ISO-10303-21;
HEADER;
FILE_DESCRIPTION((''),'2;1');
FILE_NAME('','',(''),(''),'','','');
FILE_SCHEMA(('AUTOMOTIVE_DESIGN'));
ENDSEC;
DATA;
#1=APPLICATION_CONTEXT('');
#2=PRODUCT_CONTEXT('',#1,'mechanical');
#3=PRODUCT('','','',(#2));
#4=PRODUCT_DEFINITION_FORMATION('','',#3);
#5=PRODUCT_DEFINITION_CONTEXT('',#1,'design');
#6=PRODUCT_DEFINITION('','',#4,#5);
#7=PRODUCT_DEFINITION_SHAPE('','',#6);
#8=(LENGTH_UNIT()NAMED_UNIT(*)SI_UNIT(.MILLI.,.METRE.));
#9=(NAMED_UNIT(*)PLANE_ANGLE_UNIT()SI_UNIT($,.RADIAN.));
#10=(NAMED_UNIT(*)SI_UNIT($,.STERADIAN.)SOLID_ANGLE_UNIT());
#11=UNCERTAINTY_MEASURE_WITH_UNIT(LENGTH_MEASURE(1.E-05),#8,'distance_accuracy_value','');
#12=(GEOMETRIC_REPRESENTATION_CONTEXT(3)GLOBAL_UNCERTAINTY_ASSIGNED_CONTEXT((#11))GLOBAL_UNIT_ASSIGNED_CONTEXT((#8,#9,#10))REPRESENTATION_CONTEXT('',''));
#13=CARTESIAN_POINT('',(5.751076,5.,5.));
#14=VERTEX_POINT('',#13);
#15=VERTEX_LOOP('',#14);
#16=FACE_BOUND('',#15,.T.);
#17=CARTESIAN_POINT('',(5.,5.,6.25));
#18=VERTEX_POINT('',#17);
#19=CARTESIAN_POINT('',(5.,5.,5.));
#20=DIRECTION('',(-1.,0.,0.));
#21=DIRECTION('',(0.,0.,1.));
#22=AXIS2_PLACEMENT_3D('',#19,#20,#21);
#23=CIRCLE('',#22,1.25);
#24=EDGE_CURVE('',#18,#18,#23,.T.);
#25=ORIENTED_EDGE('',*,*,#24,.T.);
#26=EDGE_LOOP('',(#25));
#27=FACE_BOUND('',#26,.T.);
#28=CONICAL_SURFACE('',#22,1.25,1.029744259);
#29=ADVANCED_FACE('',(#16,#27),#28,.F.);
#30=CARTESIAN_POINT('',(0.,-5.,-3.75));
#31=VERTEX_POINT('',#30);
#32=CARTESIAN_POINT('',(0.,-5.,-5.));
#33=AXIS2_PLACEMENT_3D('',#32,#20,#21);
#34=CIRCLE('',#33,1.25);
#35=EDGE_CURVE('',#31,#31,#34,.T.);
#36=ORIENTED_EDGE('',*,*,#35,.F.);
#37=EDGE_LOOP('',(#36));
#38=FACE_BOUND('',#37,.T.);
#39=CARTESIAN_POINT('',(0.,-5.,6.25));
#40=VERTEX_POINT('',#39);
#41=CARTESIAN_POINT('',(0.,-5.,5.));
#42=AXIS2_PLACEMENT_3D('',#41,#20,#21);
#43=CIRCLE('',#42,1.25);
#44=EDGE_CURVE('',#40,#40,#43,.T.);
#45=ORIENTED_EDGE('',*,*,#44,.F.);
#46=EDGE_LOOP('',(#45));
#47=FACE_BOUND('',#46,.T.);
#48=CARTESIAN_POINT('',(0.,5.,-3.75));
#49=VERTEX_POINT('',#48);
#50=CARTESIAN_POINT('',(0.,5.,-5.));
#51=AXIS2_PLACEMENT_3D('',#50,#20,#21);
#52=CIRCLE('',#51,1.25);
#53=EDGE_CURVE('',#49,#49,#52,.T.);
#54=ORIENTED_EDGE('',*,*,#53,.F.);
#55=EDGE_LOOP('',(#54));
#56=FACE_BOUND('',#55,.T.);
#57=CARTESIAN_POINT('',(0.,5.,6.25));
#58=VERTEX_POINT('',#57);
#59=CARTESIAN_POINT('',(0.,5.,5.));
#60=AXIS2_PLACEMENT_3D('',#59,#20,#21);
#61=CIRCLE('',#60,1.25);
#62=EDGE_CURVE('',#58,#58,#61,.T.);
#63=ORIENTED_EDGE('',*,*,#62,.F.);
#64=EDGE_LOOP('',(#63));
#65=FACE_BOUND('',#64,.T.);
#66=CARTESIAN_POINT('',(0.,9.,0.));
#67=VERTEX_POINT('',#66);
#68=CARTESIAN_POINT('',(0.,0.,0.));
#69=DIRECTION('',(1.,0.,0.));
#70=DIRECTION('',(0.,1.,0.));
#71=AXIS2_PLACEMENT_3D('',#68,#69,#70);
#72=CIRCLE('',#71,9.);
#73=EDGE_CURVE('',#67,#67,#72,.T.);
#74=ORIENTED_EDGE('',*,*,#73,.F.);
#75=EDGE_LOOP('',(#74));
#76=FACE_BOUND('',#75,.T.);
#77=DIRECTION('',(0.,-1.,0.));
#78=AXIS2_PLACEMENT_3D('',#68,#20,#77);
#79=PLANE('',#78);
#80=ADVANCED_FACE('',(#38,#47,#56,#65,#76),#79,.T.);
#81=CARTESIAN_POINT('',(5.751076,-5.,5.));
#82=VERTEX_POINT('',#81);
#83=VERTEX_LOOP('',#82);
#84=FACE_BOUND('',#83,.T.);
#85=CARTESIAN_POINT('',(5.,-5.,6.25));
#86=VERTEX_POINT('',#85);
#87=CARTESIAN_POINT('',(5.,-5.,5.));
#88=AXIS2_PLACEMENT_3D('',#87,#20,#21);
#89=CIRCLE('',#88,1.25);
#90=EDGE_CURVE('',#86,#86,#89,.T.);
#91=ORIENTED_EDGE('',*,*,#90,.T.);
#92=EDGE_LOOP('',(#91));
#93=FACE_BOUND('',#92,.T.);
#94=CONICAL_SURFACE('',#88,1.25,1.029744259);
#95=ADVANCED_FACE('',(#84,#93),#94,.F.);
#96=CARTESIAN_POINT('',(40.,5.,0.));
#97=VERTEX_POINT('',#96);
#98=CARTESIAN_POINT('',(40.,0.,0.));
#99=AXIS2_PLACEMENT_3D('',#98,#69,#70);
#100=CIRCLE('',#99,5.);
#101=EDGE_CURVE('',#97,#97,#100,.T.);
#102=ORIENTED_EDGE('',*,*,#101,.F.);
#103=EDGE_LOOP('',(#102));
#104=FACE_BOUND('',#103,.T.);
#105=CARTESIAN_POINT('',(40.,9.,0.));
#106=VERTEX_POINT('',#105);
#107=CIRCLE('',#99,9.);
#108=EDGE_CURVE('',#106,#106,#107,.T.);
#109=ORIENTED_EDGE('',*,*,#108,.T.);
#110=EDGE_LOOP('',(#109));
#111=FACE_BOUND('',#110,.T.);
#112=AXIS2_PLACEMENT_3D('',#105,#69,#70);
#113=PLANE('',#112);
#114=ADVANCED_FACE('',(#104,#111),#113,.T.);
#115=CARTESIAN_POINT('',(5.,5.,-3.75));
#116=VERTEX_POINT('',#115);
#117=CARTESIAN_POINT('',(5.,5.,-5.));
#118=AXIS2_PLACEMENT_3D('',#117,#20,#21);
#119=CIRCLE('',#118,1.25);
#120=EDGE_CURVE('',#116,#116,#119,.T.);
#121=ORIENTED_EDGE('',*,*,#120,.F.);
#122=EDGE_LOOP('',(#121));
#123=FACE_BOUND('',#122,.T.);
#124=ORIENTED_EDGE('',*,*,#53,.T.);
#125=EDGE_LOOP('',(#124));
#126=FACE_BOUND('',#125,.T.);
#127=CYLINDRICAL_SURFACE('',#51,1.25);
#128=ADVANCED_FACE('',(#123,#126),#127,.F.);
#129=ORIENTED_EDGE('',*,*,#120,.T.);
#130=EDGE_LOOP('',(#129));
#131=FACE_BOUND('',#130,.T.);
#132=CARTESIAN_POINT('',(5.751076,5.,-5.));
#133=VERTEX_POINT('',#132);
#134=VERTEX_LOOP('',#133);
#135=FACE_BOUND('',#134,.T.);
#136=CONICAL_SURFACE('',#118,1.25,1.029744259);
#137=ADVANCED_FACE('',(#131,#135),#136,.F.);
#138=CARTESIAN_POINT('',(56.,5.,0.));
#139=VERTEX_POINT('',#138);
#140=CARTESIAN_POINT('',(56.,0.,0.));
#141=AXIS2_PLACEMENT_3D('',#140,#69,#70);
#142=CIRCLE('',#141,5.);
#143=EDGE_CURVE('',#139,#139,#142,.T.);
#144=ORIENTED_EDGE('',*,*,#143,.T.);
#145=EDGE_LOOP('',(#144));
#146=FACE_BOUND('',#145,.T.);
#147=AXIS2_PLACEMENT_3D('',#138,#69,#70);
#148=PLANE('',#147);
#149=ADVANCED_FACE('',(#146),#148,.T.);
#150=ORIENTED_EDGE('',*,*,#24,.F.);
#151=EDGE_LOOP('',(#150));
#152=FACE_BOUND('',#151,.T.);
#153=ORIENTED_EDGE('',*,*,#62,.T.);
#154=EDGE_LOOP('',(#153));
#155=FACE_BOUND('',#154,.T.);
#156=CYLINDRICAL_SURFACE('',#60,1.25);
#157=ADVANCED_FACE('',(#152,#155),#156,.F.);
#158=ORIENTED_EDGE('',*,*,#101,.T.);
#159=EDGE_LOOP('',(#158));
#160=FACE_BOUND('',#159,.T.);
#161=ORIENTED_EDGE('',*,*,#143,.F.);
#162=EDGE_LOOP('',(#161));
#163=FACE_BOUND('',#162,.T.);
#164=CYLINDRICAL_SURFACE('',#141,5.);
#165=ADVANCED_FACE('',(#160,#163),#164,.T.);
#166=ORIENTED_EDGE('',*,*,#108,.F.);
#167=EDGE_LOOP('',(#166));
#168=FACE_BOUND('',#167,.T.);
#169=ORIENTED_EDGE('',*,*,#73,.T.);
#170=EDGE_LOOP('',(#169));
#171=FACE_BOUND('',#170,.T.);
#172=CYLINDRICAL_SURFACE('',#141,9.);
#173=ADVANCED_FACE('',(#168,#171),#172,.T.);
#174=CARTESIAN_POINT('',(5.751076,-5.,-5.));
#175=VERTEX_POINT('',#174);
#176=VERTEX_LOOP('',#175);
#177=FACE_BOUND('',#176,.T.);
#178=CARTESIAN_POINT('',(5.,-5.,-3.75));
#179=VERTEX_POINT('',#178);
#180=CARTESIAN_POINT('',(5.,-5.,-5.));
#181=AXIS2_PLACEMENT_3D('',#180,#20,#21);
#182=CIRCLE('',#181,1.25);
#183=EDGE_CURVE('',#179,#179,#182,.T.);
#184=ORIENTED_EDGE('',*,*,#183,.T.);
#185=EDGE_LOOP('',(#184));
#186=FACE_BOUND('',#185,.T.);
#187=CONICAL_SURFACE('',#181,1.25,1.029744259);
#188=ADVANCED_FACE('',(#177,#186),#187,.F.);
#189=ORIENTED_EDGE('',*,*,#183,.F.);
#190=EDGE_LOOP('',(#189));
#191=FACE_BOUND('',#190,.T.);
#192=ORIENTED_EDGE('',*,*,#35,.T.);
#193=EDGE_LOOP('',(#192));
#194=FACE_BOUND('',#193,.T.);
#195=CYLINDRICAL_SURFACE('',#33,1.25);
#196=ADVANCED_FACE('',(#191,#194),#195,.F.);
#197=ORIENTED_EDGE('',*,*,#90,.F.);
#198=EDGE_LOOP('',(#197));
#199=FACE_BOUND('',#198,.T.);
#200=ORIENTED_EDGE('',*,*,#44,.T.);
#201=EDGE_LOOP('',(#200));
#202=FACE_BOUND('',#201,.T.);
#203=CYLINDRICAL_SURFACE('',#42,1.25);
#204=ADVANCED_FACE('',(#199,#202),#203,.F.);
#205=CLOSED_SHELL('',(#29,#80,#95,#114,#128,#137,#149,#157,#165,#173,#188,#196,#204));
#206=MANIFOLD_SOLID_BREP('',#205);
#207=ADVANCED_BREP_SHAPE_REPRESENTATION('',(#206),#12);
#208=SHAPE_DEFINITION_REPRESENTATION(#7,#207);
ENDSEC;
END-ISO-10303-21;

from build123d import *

# Parameters (mm, degrees)
HOLE_WIZARD_M3_1_D     = 2.5
HOLE_WIZARD_M3_1_DEPTH = 5
HOLE_WIZARD_M3_1_TIP   = 0.751075774


with BuildPart() as part:
    # 草图2 → 旋转1 (revolve)
    with BuildSketch(Plane.XY):
        Polygon((0, 0), (0, 9), (40, 9), (40, 5), (56, 5), (56, 0), align=None)
    revolve(axis=Axis((56, 0, 0), (-1, 0, 0)))

    # M3 螺纹孔1
    with Locations(Plane.ZY):
        with Locations((-5, 5), (5, 5), (5, -5), (-5, -5)):
            Hole(HOLE_WIZARD_M3_1_D / 2, depth=HOLE_WIZARD_M3_1_DEPTH)
            with Locations((0, 0, -(HOLE_WIZARD_M3_1_DEPTH + HOLE_WIZARD_M3_1_TIP / 2))):  # 118° drill point
                Cone(0, HOLE_WIZARD_M3_1_D / 2, HOLE_WIZARD_M3_1_TIP, mode=Mode.SUBTRACT)


solid = part.part
